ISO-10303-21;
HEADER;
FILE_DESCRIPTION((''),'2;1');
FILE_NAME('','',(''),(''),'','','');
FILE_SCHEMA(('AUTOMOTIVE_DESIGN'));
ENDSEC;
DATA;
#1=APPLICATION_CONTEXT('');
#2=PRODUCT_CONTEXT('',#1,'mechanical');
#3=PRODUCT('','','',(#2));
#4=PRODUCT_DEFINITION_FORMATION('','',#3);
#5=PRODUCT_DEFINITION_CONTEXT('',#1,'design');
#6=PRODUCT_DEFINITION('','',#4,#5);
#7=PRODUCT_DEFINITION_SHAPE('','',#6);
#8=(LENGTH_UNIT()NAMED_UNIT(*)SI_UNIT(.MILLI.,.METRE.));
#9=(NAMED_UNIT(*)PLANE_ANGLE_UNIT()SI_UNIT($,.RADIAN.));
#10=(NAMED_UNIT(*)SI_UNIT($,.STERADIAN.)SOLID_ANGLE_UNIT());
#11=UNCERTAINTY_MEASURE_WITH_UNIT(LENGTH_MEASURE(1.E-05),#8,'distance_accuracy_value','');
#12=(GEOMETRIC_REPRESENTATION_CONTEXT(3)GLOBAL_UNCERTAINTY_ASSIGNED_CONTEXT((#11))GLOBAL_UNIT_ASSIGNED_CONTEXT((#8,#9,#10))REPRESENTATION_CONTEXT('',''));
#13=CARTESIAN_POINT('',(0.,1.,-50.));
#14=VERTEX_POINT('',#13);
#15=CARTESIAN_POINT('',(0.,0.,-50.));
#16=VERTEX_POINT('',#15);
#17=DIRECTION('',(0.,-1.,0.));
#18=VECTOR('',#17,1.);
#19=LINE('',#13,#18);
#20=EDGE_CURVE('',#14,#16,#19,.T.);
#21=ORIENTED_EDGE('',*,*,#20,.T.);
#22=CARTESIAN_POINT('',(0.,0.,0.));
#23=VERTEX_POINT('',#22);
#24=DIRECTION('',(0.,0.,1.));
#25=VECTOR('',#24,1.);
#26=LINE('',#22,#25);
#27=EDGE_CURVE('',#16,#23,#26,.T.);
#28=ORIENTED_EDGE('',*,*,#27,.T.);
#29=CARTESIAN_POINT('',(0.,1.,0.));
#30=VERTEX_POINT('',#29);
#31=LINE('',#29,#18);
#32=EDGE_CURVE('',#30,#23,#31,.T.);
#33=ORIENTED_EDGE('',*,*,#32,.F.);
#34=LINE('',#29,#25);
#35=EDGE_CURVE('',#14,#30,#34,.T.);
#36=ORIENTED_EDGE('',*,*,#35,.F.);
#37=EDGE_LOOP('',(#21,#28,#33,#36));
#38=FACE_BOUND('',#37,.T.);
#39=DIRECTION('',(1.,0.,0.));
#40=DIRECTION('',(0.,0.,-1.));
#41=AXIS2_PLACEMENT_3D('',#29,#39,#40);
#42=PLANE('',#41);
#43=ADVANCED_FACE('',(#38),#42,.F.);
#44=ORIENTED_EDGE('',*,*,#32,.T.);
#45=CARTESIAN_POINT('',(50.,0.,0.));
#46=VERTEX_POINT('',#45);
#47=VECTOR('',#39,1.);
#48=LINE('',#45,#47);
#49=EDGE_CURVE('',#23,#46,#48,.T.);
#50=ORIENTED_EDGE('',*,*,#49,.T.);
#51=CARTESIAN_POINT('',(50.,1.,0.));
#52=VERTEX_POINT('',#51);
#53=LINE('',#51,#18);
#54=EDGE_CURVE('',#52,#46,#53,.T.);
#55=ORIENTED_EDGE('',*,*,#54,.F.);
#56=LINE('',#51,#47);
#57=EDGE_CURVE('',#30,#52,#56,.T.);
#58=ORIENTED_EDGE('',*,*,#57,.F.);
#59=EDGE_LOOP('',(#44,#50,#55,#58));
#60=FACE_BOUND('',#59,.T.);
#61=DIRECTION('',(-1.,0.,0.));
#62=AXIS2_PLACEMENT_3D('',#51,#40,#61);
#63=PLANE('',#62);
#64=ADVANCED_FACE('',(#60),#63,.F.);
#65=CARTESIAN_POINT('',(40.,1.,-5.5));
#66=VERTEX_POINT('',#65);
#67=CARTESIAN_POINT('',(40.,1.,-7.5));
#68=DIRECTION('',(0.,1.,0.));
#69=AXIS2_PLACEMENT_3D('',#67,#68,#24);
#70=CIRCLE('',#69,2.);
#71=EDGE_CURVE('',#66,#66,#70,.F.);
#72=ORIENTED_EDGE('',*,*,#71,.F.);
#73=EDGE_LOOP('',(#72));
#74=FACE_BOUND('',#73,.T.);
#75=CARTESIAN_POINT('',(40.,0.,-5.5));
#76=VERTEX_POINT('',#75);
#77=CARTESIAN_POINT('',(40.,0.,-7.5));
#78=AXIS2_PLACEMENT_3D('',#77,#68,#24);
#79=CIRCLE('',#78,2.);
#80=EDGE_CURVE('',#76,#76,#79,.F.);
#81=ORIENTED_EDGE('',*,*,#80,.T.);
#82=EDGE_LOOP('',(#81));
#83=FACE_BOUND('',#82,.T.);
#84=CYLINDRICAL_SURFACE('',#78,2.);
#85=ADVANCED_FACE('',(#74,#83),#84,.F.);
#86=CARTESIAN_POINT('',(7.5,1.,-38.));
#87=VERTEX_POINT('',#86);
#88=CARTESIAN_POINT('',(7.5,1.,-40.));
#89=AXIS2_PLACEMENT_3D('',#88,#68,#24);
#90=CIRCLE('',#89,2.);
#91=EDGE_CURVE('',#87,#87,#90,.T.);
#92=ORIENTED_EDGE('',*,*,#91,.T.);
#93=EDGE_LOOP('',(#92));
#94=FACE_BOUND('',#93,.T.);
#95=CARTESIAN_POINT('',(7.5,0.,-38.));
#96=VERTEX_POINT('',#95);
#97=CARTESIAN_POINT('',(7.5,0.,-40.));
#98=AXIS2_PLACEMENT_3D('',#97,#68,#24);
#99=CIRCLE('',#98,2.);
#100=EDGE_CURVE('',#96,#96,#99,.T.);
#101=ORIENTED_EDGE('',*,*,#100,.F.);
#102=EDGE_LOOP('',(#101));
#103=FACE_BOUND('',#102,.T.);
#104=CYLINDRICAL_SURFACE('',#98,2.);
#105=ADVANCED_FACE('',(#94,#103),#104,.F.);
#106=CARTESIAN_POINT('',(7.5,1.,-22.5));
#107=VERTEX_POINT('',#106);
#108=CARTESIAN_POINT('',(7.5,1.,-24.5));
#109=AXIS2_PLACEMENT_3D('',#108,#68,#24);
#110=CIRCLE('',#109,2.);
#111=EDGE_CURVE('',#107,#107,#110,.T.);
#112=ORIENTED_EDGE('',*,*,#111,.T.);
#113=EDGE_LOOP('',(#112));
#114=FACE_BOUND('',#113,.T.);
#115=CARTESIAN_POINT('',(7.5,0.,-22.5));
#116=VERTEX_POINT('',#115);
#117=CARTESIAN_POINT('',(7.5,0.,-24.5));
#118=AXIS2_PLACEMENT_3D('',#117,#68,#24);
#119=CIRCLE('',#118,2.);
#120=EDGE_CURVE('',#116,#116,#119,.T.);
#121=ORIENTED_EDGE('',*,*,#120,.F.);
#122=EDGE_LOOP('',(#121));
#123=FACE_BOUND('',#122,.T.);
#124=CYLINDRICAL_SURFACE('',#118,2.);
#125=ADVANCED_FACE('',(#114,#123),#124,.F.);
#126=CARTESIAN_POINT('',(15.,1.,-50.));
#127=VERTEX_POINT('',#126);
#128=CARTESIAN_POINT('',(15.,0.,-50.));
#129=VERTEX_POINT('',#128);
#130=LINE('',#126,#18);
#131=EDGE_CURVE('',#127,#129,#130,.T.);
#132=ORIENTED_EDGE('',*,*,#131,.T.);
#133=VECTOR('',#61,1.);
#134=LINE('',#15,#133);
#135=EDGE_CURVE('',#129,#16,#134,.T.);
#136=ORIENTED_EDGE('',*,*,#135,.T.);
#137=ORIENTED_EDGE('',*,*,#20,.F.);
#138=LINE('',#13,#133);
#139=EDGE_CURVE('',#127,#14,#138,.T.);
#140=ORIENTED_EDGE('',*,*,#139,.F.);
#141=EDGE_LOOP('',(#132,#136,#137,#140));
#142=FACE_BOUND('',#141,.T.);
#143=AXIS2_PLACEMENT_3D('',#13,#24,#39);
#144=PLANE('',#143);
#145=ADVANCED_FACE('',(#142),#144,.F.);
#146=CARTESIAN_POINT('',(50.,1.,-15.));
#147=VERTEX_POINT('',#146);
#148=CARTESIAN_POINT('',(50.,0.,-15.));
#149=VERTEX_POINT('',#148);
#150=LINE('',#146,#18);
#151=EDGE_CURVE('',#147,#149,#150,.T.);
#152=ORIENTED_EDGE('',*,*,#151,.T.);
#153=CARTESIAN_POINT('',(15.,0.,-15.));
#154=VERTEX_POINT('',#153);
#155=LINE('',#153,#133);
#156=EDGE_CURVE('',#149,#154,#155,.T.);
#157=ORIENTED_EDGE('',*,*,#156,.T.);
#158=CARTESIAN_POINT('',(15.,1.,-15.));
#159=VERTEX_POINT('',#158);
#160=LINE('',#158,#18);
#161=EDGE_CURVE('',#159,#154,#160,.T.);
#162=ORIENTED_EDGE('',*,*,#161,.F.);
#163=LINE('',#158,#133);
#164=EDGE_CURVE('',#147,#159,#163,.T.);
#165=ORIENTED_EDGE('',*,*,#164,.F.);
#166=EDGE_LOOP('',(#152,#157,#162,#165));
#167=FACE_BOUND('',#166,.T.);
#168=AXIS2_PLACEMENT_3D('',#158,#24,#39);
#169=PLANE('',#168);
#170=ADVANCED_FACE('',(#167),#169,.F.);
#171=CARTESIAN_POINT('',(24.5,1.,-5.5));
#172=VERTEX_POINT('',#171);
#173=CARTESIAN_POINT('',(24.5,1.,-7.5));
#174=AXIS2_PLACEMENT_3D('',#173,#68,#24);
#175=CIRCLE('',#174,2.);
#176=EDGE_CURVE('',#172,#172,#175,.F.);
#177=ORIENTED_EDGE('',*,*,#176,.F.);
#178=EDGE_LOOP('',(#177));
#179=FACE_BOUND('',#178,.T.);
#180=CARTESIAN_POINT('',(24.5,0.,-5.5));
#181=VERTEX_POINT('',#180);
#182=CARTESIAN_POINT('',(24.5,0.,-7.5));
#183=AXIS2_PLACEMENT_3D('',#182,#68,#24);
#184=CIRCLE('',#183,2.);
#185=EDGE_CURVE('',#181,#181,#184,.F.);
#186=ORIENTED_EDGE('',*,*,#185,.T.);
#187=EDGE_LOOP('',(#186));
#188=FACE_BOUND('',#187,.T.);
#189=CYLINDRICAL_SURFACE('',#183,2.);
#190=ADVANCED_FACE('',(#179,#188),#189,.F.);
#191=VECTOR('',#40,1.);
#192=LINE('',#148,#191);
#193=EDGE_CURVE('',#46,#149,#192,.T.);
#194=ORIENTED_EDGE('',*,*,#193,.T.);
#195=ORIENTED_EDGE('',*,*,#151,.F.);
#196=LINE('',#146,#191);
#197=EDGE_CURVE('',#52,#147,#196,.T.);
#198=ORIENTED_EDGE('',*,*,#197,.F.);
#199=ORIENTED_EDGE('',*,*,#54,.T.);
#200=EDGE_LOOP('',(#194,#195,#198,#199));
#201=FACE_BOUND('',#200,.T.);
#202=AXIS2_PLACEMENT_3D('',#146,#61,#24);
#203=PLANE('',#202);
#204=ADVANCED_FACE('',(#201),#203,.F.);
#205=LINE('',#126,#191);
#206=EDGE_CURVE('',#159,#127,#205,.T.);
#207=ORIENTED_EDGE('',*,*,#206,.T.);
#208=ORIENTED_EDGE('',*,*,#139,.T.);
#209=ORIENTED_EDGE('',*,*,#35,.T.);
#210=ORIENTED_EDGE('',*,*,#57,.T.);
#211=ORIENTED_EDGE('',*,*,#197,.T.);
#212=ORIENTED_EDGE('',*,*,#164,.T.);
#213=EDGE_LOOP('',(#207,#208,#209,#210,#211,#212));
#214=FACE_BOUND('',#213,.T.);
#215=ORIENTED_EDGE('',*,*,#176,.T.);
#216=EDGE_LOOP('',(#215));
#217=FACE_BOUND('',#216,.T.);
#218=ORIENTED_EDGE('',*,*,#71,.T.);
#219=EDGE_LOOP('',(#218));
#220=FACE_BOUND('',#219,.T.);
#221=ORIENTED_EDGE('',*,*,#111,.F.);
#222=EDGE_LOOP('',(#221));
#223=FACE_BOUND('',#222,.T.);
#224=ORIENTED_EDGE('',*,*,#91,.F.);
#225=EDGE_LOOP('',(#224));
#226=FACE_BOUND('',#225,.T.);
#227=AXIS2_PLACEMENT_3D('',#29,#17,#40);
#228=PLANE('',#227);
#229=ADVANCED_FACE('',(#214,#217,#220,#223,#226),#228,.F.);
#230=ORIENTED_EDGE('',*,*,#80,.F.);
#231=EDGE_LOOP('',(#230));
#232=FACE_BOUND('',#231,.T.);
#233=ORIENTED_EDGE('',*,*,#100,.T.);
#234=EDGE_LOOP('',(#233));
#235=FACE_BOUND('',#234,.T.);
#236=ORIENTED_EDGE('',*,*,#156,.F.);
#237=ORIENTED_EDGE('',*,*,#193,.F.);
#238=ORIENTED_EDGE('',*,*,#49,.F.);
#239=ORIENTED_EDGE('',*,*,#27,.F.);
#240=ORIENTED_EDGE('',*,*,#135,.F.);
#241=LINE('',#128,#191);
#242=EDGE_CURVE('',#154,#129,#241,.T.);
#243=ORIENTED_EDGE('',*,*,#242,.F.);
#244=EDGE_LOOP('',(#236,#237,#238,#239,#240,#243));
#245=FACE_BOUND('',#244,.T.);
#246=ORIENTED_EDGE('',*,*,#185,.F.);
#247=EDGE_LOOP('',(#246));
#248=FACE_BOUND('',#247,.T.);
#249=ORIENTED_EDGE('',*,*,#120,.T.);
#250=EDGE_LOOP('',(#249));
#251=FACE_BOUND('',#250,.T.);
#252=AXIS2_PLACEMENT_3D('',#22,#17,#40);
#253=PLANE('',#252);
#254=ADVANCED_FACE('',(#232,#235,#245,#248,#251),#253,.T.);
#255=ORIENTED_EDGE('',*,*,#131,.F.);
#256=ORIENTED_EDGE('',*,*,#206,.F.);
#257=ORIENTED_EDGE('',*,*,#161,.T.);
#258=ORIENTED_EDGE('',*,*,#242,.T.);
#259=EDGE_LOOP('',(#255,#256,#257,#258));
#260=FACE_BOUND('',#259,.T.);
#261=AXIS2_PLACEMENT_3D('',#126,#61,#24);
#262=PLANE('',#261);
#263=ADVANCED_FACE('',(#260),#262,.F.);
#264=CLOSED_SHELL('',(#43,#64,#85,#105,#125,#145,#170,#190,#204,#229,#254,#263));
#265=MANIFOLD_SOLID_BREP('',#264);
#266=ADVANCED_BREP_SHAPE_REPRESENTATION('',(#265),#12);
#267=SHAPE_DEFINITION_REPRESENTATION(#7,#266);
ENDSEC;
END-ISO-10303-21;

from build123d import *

# Parameters (mm, degrees)
BOSS_EXTRUDE1_DEPTH = 1
SKETCH4_R           = 2
CUT_EXTRUDE1_DEPTH  = 71.717748833


with BuildPart() as part:
    # Sketch2 → Boss-Extrude1 (new body)
    with BuildSketch(Plane(origin=(0, 0, 0), x_dir=(1, 0, 0), z_dir=(0, 1, 0))):
        Polygon((0, 0), (0, 50), (15, 50), (15, 15), (50, 15), (50, 0), align=None)
    extrude(amount=BOSS_EXTRUDE1_DEPTH)

    # Sketch4 → Cut-Extrude1 (cut, through all)
    with BuildSketch(Plane(origin=(0, 1, 0), x_dir=(1, 0, 0), z_dir=(0, 1, 0))):
        with Locations(Location((7.5, 40, 0), (0, 0, 270))):
            Circle(SKETCH4_R)
        with Locations(Location((7.5, 24.5, 0), (0, 0, 270))):
            Circle(SKETCH4_R)
        with Locations(Location((24.5, 7.5, 0), (0, 0, 270))):
            Circle(SKETCH4_R)
        with Locations(Location((40, 7.5, 0), (0, 0, 270))):
            Circle(SKETCH4_R)
    extrude(amount=-CUT_EXTRUDE1_DEPTH, mode=Mode.SUBTRACT)


solid = part.part
